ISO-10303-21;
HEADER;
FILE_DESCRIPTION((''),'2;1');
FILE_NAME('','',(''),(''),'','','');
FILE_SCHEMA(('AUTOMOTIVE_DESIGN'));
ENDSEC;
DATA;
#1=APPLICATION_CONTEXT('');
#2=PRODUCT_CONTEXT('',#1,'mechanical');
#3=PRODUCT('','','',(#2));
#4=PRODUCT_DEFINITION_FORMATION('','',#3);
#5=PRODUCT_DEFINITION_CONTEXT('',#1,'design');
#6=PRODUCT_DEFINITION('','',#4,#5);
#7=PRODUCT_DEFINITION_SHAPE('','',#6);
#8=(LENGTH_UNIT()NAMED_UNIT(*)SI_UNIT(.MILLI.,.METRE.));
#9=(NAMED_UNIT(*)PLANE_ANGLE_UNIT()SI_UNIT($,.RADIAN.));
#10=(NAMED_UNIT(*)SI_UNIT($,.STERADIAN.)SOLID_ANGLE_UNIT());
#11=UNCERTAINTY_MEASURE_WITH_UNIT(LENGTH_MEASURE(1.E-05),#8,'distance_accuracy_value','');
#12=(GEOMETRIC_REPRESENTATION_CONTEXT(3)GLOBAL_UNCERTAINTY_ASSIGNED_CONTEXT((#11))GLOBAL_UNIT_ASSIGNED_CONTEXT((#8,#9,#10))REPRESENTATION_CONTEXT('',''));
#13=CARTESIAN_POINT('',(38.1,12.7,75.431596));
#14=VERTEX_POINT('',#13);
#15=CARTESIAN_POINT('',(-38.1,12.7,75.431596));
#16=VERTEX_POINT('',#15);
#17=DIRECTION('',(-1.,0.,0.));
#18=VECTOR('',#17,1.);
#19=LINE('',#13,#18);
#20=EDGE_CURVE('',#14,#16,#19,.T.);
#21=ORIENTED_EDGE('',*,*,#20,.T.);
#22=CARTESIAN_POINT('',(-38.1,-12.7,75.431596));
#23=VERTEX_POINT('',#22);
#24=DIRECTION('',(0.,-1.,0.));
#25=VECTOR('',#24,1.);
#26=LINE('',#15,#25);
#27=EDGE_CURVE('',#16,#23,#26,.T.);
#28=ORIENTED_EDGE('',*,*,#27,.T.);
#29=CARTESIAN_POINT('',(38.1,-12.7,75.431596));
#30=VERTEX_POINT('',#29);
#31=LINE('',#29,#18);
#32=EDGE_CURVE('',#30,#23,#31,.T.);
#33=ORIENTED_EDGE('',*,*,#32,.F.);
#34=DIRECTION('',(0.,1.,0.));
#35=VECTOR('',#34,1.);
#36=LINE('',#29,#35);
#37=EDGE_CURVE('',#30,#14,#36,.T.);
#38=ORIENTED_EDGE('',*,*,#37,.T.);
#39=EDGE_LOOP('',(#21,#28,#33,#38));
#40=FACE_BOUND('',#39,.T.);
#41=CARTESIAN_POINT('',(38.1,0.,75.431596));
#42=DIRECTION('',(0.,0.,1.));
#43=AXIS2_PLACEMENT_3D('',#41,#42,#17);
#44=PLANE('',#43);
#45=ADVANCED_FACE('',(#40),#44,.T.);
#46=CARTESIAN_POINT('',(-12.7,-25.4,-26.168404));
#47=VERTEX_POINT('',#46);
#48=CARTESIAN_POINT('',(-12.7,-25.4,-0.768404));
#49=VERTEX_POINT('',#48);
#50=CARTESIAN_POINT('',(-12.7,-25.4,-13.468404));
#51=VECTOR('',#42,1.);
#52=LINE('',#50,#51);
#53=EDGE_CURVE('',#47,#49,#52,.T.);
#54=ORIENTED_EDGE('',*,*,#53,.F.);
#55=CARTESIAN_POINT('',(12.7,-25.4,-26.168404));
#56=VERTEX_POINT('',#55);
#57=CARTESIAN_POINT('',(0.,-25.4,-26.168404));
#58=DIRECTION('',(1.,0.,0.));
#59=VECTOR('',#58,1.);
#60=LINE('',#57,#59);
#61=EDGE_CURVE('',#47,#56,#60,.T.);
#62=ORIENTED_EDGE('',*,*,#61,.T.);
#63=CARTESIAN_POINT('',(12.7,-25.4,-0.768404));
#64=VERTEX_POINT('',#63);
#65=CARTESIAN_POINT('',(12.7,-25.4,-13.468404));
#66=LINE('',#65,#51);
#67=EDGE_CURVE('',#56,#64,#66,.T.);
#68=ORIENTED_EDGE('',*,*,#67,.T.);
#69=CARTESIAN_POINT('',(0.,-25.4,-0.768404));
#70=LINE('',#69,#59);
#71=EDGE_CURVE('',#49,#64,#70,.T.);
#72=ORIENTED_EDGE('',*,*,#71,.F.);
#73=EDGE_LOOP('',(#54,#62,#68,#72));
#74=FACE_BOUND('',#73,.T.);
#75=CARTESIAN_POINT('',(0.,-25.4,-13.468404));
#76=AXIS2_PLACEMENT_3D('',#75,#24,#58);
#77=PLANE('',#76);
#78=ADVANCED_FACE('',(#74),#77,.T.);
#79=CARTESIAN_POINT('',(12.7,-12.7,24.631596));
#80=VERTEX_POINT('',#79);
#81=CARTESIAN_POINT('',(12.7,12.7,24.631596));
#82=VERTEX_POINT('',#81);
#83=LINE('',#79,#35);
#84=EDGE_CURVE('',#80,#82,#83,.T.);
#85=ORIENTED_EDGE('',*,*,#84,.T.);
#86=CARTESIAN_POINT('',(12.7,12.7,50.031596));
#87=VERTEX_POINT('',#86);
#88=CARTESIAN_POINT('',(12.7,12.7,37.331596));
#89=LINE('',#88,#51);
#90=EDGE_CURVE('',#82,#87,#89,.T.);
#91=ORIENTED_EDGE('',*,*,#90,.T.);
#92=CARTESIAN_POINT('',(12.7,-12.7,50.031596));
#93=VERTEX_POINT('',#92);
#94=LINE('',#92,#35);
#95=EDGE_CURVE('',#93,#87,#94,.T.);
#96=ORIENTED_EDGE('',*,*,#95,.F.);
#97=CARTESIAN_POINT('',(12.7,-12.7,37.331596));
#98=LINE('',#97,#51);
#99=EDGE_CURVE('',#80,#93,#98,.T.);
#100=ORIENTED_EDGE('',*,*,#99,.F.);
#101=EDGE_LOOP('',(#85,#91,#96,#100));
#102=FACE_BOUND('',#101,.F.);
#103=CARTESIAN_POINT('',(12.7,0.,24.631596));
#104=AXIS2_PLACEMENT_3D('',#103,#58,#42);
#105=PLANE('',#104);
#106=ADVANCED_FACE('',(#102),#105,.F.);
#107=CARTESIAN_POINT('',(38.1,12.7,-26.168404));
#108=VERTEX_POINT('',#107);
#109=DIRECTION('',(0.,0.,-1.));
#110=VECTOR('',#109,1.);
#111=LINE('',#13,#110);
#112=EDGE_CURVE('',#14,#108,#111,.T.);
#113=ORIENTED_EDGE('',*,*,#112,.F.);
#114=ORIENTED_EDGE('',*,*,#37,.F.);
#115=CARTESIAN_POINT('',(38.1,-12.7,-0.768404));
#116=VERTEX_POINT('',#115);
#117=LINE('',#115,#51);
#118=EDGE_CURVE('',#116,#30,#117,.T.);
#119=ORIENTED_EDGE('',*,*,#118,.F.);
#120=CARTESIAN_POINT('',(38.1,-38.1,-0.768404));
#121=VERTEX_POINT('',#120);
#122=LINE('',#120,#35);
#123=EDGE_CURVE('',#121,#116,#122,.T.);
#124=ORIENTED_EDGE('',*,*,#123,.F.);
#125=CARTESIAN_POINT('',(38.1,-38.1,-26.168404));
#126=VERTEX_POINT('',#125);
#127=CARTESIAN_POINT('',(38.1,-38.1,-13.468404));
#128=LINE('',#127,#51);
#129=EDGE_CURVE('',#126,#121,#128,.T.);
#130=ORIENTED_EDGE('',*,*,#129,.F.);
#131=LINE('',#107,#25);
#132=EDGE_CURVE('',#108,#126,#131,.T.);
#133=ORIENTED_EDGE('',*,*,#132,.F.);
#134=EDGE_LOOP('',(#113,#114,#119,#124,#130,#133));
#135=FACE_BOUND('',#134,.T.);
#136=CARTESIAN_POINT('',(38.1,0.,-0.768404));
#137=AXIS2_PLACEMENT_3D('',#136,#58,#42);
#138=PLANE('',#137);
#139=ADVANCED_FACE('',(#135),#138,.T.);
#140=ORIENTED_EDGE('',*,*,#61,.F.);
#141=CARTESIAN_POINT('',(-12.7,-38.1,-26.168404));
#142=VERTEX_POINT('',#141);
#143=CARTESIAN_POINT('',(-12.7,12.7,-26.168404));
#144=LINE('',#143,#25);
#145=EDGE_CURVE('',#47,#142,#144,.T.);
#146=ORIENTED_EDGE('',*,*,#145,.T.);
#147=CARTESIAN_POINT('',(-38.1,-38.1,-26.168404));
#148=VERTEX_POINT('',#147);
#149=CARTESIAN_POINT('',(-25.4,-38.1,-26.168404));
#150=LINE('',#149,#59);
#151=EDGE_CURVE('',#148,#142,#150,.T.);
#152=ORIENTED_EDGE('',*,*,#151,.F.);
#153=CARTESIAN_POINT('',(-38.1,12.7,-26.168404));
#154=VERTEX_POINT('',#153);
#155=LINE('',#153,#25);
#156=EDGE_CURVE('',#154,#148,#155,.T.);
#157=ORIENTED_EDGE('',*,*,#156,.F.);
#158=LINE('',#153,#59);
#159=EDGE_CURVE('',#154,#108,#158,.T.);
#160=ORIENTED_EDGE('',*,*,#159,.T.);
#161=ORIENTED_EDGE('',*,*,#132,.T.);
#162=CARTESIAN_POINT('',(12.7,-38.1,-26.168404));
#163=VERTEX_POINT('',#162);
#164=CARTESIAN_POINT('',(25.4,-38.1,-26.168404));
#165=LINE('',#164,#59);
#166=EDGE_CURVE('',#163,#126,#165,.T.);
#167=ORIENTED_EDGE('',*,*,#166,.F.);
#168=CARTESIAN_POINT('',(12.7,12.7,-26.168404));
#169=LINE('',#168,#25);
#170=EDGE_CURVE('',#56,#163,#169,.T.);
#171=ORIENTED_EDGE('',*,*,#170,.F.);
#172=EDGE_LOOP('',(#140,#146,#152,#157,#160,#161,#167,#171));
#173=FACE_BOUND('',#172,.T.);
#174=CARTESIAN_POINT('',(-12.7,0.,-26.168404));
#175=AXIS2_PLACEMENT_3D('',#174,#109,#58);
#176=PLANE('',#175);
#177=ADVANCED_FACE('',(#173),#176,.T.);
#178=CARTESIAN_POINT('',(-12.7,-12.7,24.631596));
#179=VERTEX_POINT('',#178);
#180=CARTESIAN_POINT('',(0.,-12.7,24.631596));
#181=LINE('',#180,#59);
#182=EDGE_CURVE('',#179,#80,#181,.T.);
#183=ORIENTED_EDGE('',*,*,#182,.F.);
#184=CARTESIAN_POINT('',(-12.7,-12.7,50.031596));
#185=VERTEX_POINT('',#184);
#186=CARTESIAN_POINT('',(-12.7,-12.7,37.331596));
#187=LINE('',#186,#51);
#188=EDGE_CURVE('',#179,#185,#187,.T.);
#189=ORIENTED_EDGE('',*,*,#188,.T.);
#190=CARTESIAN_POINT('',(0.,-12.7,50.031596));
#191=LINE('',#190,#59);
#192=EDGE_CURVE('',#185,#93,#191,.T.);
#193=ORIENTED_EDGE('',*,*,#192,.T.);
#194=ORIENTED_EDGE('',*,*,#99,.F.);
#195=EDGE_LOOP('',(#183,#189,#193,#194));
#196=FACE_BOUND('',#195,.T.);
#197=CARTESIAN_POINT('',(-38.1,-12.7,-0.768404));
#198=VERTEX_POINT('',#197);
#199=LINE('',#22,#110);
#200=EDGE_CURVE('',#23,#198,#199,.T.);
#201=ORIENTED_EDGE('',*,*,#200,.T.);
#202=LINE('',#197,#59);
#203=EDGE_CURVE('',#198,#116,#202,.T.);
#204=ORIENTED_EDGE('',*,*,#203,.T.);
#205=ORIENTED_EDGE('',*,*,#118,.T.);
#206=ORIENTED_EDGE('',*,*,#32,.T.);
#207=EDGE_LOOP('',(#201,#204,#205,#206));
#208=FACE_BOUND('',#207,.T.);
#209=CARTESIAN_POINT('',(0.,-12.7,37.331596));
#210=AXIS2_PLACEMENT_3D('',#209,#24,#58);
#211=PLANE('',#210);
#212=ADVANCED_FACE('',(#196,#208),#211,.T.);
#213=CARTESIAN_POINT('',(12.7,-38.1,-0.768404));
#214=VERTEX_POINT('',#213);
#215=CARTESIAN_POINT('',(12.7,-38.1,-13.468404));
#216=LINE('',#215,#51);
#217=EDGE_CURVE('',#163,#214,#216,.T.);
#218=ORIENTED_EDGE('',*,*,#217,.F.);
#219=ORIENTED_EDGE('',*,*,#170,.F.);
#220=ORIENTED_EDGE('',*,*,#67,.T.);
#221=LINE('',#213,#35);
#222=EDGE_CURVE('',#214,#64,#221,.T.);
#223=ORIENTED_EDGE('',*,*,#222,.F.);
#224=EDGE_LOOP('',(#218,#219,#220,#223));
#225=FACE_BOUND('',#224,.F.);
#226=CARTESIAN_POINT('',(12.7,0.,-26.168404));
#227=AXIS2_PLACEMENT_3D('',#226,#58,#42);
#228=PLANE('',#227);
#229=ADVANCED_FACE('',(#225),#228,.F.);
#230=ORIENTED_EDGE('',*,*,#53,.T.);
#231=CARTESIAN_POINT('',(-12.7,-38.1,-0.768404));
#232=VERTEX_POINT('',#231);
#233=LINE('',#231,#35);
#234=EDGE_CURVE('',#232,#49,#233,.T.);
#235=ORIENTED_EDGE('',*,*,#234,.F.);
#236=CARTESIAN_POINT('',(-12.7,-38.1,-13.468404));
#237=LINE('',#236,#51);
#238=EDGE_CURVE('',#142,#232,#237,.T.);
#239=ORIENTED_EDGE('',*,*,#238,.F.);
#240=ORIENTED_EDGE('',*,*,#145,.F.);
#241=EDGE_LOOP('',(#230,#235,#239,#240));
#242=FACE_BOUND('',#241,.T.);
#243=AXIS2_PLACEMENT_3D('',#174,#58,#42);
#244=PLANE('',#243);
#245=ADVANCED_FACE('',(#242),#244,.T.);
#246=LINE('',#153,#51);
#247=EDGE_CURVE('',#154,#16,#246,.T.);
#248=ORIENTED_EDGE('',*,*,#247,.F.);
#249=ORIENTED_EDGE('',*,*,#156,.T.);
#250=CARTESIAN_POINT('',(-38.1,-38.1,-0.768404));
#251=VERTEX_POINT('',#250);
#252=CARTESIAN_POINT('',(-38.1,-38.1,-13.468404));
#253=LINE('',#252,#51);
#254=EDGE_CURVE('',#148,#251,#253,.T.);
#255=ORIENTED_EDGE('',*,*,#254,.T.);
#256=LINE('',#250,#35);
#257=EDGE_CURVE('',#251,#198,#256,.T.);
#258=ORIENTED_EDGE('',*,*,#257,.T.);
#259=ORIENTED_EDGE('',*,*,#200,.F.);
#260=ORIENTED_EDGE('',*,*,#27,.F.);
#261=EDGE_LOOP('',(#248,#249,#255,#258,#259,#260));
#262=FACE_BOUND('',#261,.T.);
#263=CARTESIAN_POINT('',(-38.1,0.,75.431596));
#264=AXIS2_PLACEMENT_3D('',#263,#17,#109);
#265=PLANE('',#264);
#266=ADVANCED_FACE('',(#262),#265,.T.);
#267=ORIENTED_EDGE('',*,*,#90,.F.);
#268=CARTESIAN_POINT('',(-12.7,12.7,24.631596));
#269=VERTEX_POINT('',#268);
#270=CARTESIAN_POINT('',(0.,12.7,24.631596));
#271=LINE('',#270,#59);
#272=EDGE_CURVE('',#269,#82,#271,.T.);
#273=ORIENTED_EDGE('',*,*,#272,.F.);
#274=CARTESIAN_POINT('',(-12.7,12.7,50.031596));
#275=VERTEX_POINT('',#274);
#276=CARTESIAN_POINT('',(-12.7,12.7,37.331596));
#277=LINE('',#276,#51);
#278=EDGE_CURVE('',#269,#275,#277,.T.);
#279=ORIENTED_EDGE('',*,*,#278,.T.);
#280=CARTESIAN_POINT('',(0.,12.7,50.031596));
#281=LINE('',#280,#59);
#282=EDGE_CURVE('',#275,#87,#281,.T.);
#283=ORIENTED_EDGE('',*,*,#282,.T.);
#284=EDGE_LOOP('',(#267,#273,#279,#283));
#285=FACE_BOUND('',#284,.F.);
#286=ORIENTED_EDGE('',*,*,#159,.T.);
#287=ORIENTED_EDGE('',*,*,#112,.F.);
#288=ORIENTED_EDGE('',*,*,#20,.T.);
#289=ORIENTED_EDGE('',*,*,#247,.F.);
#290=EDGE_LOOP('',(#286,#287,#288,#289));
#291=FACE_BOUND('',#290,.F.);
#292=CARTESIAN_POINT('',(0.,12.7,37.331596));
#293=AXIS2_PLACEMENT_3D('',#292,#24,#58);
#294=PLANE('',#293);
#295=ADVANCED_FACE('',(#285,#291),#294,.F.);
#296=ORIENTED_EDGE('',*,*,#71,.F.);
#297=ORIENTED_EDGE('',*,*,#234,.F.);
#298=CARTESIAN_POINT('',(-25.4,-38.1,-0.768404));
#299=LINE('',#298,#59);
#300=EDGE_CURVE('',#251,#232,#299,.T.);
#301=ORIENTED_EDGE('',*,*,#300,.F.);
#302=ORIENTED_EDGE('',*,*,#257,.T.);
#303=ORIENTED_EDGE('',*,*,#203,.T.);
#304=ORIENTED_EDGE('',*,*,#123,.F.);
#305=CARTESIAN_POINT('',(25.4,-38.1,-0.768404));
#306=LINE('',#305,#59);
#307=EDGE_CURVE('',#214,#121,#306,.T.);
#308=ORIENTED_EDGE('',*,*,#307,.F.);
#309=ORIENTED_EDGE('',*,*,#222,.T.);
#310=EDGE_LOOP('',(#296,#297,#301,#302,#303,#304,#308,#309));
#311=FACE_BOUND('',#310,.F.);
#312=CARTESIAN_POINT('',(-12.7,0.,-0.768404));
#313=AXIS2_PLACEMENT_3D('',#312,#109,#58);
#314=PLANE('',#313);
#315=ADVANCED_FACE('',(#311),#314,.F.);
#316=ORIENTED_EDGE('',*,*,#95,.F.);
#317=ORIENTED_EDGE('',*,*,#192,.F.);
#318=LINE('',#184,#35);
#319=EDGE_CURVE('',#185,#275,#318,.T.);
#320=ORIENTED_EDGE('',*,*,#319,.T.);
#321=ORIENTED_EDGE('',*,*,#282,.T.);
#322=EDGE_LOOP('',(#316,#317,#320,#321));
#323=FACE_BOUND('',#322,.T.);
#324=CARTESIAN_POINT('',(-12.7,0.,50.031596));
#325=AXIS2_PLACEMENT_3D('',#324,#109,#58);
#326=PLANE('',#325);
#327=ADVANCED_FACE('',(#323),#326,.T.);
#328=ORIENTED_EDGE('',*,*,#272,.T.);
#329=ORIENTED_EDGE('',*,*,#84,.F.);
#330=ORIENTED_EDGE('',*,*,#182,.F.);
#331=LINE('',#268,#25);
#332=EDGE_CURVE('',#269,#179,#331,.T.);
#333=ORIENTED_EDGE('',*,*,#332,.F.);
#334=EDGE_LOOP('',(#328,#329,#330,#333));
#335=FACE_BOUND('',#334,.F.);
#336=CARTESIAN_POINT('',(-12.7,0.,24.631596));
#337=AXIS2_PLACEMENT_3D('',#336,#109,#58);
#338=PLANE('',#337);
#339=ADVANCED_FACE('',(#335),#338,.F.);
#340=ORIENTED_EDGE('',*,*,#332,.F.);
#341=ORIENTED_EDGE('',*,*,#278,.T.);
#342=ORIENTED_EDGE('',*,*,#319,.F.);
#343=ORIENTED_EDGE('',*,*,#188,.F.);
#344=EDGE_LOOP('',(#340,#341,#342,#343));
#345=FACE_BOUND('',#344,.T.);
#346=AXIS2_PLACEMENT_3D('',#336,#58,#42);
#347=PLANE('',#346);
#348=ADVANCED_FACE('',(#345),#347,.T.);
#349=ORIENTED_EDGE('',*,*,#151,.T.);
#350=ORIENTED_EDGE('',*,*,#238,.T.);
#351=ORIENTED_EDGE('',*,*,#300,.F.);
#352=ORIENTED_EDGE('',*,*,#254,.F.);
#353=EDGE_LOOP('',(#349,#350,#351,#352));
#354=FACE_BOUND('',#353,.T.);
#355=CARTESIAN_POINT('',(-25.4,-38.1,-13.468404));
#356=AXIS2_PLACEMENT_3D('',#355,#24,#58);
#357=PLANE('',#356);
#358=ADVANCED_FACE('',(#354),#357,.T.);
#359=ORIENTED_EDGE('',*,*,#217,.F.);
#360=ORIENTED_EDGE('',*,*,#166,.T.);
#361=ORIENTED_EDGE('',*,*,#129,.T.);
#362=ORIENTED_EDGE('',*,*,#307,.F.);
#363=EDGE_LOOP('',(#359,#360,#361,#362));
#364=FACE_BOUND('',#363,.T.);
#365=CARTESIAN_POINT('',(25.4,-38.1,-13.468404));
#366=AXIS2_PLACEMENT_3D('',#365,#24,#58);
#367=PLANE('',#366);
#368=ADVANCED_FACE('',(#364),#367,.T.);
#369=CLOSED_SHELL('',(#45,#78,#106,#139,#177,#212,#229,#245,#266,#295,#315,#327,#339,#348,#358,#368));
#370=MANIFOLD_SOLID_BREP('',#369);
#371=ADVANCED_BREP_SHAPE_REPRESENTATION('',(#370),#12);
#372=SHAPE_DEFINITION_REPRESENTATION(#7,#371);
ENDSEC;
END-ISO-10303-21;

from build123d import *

# Parameters (mm, degrees)
F0_W     = 25.4
F0_H     = 25.4
F1_DEPTH = 38.1
F2_DEPTH = 12.7
F3_DEPTH = 25.4
F4_DEPTH = 12.7
F5_DEPTH = 12.7


with BuildPart() as f1:
    # F0 (on Front) → F1 (new body)
    with BuildSketch(Plane.XZ):
        with Locations((-25.4, -13.468404)):
            Rectangle(F0_W, F0_H)
        with Locations((25.4, -13.468404)):
            Rectangle(F0_W, F0_H)
    extrude(amount=F1_DEPTH)

    # F0 (on Front) → F2 (join)
    with BuildSketch(Plane.XZ):
        with Locations((25.4, -13.468404)):
            Rectangle(F0_W, F0_H)
        with Locations((-25.4, -13.468404)):
            Rectangle(F0_W, F0_H)
    extrude(amount=-F2_DEPTH)

    # F0 (on Front) → F3 (join)
    with BuildSketch(Plane.XZ):
        with Locations((0, -13.468404)):
            Rectangle(F0_W, F0_H)
    extrude(amount=F3_DEPTH)

    # F0 (on Front) → F4 (join)
    with BuildSketch(Plane.XZ):
        with Locations((0, -13.468404)):
            Rectangle(F0_W, F0_H)
    extrude(amount=-F4_DEPTH)

    # F0 (on Front) → F5 (join, symmetric)
    with BuildSketch(Plane.XZ):
        Polygon((38.1, 75.431596), (-38.1, 75.431596), (-38.1, -0.768404), (-12.7, -0.768404), (12.7, -0.768404), (38.1, -0.768404), align=None)
        with Locations((0, 37.331596)):
            Rectangle(F0_W, F0_H, mode=Mode.SUBTRACT)
    extrude(amount=F5_DEPTH, both=True)


solid = f1.part
